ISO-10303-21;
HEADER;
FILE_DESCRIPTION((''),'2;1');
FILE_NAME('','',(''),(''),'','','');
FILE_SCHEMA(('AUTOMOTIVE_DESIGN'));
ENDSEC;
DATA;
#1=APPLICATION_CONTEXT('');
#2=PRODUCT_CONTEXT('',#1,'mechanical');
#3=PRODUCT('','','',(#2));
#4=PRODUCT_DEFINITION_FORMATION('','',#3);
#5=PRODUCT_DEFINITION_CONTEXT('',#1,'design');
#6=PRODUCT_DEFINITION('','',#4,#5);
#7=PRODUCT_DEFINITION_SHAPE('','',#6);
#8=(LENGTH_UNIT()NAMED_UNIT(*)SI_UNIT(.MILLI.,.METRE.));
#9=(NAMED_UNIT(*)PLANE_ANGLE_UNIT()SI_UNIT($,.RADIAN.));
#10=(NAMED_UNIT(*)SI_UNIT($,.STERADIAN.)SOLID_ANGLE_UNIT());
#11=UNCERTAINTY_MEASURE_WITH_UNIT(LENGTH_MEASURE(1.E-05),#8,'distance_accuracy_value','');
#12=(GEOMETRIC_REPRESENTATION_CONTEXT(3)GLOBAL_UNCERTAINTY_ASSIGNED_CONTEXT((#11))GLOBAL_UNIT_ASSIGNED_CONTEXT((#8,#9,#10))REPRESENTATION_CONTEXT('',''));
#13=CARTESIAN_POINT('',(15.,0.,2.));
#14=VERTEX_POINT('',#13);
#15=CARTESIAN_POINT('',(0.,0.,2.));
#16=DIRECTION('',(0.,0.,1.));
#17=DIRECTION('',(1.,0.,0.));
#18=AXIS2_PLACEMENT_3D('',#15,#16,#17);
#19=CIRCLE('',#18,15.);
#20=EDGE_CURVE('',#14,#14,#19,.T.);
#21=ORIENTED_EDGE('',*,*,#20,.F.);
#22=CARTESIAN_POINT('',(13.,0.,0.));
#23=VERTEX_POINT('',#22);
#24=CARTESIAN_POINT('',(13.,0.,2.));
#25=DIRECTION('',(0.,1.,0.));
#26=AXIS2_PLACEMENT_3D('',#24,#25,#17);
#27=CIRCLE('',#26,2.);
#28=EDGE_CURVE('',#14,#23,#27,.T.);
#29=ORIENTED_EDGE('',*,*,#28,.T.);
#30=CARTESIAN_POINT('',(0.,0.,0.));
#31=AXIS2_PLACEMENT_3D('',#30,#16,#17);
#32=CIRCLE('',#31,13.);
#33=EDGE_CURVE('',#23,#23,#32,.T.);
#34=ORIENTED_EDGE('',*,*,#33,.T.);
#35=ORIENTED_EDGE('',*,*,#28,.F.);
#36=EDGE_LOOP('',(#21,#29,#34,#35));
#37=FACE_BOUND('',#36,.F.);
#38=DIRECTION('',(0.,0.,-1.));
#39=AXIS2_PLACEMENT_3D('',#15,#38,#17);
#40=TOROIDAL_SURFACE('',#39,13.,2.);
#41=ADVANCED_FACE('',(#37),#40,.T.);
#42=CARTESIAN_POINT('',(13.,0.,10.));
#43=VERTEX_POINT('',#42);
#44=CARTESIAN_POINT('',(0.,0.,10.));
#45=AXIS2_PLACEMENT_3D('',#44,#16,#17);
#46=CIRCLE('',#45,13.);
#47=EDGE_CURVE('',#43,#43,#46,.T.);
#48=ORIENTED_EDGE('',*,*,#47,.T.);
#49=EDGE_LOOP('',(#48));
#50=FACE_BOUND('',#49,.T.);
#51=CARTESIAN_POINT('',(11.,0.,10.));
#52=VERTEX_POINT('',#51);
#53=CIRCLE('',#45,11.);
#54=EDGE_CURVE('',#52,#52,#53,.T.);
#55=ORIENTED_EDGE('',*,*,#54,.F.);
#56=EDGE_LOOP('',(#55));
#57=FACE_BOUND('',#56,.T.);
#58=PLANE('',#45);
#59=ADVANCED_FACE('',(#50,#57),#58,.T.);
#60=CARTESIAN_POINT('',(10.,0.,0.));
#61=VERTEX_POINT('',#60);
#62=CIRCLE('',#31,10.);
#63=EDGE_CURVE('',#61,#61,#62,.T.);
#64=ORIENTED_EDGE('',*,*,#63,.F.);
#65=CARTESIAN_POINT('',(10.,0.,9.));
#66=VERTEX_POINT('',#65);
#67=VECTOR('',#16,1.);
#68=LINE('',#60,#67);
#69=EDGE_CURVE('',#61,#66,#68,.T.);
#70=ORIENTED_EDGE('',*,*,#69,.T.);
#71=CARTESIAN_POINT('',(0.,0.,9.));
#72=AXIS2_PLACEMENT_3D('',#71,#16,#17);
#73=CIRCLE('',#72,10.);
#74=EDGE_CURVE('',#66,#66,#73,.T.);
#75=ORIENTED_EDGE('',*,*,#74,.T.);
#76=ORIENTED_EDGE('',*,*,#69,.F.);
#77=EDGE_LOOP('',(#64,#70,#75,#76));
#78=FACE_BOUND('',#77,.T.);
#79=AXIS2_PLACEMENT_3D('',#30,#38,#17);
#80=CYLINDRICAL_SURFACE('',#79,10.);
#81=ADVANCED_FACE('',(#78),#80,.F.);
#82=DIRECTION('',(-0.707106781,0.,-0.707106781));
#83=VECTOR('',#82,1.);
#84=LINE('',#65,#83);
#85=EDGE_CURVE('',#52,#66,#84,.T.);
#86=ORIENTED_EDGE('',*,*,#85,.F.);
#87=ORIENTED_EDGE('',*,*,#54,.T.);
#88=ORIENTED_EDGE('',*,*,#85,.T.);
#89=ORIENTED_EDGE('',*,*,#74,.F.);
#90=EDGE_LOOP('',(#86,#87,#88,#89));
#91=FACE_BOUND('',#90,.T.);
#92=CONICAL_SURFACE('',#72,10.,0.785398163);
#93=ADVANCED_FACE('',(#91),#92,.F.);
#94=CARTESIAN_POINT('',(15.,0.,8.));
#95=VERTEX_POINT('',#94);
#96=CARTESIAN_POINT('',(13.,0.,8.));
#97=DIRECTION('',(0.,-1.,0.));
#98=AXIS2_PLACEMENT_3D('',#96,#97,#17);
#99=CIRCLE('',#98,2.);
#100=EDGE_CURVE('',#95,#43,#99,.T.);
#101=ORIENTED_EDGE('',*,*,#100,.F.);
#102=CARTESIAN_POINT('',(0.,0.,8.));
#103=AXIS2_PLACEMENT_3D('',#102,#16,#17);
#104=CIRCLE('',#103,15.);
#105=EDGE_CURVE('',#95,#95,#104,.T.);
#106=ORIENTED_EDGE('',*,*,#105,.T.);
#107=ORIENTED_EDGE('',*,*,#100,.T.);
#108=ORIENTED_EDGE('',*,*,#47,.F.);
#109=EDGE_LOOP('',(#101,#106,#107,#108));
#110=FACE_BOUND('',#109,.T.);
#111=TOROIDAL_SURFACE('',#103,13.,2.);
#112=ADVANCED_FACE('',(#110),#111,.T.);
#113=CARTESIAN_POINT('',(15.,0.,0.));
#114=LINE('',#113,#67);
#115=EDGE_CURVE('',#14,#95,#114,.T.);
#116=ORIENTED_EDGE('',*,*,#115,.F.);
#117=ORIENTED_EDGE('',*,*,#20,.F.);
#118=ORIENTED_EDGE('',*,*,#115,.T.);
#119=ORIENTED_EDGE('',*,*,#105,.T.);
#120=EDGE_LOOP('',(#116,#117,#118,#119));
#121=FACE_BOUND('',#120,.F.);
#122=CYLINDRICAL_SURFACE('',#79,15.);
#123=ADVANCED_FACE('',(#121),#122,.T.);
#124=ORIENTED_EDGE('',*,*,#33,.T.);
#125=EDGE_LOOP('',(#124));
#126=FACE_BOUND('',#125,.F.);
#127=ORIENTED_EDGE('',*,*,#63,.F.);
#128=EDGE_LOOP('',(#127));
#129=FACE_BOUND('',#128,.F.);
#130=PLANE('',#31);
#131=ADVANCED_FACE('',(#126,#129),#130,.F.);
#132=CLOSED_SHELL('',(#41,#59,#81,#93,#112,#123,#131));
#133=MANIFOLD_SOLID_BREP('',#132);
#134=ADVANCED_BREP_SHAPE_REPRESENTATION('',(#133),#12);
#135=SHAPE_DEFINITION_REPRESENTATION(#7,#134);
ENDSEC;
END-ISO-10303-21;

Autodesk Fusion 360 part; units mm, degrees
sketch "Esquisse1" plane through (0, 0, 0) normal (0, 0, 1) x (1, 0, 0)
  circle A0 centre (0, 0) radius 10
  circle A1 centre (0, 0) radius 15
  dimension "d1" = 20
  dimension "d2" = 30
extrude "Extrusion1" add sketch "Esquisse1" along normal blind 10
fillet "Congé1" radius 2 2 edges at (-13.9849, -5.4242, 10) (-13.9849, -5.4242, 0)
chamfer "Chanfrein1" distance 1 angle 45 1 edges at (-9.3233, 3.6162, 10)
